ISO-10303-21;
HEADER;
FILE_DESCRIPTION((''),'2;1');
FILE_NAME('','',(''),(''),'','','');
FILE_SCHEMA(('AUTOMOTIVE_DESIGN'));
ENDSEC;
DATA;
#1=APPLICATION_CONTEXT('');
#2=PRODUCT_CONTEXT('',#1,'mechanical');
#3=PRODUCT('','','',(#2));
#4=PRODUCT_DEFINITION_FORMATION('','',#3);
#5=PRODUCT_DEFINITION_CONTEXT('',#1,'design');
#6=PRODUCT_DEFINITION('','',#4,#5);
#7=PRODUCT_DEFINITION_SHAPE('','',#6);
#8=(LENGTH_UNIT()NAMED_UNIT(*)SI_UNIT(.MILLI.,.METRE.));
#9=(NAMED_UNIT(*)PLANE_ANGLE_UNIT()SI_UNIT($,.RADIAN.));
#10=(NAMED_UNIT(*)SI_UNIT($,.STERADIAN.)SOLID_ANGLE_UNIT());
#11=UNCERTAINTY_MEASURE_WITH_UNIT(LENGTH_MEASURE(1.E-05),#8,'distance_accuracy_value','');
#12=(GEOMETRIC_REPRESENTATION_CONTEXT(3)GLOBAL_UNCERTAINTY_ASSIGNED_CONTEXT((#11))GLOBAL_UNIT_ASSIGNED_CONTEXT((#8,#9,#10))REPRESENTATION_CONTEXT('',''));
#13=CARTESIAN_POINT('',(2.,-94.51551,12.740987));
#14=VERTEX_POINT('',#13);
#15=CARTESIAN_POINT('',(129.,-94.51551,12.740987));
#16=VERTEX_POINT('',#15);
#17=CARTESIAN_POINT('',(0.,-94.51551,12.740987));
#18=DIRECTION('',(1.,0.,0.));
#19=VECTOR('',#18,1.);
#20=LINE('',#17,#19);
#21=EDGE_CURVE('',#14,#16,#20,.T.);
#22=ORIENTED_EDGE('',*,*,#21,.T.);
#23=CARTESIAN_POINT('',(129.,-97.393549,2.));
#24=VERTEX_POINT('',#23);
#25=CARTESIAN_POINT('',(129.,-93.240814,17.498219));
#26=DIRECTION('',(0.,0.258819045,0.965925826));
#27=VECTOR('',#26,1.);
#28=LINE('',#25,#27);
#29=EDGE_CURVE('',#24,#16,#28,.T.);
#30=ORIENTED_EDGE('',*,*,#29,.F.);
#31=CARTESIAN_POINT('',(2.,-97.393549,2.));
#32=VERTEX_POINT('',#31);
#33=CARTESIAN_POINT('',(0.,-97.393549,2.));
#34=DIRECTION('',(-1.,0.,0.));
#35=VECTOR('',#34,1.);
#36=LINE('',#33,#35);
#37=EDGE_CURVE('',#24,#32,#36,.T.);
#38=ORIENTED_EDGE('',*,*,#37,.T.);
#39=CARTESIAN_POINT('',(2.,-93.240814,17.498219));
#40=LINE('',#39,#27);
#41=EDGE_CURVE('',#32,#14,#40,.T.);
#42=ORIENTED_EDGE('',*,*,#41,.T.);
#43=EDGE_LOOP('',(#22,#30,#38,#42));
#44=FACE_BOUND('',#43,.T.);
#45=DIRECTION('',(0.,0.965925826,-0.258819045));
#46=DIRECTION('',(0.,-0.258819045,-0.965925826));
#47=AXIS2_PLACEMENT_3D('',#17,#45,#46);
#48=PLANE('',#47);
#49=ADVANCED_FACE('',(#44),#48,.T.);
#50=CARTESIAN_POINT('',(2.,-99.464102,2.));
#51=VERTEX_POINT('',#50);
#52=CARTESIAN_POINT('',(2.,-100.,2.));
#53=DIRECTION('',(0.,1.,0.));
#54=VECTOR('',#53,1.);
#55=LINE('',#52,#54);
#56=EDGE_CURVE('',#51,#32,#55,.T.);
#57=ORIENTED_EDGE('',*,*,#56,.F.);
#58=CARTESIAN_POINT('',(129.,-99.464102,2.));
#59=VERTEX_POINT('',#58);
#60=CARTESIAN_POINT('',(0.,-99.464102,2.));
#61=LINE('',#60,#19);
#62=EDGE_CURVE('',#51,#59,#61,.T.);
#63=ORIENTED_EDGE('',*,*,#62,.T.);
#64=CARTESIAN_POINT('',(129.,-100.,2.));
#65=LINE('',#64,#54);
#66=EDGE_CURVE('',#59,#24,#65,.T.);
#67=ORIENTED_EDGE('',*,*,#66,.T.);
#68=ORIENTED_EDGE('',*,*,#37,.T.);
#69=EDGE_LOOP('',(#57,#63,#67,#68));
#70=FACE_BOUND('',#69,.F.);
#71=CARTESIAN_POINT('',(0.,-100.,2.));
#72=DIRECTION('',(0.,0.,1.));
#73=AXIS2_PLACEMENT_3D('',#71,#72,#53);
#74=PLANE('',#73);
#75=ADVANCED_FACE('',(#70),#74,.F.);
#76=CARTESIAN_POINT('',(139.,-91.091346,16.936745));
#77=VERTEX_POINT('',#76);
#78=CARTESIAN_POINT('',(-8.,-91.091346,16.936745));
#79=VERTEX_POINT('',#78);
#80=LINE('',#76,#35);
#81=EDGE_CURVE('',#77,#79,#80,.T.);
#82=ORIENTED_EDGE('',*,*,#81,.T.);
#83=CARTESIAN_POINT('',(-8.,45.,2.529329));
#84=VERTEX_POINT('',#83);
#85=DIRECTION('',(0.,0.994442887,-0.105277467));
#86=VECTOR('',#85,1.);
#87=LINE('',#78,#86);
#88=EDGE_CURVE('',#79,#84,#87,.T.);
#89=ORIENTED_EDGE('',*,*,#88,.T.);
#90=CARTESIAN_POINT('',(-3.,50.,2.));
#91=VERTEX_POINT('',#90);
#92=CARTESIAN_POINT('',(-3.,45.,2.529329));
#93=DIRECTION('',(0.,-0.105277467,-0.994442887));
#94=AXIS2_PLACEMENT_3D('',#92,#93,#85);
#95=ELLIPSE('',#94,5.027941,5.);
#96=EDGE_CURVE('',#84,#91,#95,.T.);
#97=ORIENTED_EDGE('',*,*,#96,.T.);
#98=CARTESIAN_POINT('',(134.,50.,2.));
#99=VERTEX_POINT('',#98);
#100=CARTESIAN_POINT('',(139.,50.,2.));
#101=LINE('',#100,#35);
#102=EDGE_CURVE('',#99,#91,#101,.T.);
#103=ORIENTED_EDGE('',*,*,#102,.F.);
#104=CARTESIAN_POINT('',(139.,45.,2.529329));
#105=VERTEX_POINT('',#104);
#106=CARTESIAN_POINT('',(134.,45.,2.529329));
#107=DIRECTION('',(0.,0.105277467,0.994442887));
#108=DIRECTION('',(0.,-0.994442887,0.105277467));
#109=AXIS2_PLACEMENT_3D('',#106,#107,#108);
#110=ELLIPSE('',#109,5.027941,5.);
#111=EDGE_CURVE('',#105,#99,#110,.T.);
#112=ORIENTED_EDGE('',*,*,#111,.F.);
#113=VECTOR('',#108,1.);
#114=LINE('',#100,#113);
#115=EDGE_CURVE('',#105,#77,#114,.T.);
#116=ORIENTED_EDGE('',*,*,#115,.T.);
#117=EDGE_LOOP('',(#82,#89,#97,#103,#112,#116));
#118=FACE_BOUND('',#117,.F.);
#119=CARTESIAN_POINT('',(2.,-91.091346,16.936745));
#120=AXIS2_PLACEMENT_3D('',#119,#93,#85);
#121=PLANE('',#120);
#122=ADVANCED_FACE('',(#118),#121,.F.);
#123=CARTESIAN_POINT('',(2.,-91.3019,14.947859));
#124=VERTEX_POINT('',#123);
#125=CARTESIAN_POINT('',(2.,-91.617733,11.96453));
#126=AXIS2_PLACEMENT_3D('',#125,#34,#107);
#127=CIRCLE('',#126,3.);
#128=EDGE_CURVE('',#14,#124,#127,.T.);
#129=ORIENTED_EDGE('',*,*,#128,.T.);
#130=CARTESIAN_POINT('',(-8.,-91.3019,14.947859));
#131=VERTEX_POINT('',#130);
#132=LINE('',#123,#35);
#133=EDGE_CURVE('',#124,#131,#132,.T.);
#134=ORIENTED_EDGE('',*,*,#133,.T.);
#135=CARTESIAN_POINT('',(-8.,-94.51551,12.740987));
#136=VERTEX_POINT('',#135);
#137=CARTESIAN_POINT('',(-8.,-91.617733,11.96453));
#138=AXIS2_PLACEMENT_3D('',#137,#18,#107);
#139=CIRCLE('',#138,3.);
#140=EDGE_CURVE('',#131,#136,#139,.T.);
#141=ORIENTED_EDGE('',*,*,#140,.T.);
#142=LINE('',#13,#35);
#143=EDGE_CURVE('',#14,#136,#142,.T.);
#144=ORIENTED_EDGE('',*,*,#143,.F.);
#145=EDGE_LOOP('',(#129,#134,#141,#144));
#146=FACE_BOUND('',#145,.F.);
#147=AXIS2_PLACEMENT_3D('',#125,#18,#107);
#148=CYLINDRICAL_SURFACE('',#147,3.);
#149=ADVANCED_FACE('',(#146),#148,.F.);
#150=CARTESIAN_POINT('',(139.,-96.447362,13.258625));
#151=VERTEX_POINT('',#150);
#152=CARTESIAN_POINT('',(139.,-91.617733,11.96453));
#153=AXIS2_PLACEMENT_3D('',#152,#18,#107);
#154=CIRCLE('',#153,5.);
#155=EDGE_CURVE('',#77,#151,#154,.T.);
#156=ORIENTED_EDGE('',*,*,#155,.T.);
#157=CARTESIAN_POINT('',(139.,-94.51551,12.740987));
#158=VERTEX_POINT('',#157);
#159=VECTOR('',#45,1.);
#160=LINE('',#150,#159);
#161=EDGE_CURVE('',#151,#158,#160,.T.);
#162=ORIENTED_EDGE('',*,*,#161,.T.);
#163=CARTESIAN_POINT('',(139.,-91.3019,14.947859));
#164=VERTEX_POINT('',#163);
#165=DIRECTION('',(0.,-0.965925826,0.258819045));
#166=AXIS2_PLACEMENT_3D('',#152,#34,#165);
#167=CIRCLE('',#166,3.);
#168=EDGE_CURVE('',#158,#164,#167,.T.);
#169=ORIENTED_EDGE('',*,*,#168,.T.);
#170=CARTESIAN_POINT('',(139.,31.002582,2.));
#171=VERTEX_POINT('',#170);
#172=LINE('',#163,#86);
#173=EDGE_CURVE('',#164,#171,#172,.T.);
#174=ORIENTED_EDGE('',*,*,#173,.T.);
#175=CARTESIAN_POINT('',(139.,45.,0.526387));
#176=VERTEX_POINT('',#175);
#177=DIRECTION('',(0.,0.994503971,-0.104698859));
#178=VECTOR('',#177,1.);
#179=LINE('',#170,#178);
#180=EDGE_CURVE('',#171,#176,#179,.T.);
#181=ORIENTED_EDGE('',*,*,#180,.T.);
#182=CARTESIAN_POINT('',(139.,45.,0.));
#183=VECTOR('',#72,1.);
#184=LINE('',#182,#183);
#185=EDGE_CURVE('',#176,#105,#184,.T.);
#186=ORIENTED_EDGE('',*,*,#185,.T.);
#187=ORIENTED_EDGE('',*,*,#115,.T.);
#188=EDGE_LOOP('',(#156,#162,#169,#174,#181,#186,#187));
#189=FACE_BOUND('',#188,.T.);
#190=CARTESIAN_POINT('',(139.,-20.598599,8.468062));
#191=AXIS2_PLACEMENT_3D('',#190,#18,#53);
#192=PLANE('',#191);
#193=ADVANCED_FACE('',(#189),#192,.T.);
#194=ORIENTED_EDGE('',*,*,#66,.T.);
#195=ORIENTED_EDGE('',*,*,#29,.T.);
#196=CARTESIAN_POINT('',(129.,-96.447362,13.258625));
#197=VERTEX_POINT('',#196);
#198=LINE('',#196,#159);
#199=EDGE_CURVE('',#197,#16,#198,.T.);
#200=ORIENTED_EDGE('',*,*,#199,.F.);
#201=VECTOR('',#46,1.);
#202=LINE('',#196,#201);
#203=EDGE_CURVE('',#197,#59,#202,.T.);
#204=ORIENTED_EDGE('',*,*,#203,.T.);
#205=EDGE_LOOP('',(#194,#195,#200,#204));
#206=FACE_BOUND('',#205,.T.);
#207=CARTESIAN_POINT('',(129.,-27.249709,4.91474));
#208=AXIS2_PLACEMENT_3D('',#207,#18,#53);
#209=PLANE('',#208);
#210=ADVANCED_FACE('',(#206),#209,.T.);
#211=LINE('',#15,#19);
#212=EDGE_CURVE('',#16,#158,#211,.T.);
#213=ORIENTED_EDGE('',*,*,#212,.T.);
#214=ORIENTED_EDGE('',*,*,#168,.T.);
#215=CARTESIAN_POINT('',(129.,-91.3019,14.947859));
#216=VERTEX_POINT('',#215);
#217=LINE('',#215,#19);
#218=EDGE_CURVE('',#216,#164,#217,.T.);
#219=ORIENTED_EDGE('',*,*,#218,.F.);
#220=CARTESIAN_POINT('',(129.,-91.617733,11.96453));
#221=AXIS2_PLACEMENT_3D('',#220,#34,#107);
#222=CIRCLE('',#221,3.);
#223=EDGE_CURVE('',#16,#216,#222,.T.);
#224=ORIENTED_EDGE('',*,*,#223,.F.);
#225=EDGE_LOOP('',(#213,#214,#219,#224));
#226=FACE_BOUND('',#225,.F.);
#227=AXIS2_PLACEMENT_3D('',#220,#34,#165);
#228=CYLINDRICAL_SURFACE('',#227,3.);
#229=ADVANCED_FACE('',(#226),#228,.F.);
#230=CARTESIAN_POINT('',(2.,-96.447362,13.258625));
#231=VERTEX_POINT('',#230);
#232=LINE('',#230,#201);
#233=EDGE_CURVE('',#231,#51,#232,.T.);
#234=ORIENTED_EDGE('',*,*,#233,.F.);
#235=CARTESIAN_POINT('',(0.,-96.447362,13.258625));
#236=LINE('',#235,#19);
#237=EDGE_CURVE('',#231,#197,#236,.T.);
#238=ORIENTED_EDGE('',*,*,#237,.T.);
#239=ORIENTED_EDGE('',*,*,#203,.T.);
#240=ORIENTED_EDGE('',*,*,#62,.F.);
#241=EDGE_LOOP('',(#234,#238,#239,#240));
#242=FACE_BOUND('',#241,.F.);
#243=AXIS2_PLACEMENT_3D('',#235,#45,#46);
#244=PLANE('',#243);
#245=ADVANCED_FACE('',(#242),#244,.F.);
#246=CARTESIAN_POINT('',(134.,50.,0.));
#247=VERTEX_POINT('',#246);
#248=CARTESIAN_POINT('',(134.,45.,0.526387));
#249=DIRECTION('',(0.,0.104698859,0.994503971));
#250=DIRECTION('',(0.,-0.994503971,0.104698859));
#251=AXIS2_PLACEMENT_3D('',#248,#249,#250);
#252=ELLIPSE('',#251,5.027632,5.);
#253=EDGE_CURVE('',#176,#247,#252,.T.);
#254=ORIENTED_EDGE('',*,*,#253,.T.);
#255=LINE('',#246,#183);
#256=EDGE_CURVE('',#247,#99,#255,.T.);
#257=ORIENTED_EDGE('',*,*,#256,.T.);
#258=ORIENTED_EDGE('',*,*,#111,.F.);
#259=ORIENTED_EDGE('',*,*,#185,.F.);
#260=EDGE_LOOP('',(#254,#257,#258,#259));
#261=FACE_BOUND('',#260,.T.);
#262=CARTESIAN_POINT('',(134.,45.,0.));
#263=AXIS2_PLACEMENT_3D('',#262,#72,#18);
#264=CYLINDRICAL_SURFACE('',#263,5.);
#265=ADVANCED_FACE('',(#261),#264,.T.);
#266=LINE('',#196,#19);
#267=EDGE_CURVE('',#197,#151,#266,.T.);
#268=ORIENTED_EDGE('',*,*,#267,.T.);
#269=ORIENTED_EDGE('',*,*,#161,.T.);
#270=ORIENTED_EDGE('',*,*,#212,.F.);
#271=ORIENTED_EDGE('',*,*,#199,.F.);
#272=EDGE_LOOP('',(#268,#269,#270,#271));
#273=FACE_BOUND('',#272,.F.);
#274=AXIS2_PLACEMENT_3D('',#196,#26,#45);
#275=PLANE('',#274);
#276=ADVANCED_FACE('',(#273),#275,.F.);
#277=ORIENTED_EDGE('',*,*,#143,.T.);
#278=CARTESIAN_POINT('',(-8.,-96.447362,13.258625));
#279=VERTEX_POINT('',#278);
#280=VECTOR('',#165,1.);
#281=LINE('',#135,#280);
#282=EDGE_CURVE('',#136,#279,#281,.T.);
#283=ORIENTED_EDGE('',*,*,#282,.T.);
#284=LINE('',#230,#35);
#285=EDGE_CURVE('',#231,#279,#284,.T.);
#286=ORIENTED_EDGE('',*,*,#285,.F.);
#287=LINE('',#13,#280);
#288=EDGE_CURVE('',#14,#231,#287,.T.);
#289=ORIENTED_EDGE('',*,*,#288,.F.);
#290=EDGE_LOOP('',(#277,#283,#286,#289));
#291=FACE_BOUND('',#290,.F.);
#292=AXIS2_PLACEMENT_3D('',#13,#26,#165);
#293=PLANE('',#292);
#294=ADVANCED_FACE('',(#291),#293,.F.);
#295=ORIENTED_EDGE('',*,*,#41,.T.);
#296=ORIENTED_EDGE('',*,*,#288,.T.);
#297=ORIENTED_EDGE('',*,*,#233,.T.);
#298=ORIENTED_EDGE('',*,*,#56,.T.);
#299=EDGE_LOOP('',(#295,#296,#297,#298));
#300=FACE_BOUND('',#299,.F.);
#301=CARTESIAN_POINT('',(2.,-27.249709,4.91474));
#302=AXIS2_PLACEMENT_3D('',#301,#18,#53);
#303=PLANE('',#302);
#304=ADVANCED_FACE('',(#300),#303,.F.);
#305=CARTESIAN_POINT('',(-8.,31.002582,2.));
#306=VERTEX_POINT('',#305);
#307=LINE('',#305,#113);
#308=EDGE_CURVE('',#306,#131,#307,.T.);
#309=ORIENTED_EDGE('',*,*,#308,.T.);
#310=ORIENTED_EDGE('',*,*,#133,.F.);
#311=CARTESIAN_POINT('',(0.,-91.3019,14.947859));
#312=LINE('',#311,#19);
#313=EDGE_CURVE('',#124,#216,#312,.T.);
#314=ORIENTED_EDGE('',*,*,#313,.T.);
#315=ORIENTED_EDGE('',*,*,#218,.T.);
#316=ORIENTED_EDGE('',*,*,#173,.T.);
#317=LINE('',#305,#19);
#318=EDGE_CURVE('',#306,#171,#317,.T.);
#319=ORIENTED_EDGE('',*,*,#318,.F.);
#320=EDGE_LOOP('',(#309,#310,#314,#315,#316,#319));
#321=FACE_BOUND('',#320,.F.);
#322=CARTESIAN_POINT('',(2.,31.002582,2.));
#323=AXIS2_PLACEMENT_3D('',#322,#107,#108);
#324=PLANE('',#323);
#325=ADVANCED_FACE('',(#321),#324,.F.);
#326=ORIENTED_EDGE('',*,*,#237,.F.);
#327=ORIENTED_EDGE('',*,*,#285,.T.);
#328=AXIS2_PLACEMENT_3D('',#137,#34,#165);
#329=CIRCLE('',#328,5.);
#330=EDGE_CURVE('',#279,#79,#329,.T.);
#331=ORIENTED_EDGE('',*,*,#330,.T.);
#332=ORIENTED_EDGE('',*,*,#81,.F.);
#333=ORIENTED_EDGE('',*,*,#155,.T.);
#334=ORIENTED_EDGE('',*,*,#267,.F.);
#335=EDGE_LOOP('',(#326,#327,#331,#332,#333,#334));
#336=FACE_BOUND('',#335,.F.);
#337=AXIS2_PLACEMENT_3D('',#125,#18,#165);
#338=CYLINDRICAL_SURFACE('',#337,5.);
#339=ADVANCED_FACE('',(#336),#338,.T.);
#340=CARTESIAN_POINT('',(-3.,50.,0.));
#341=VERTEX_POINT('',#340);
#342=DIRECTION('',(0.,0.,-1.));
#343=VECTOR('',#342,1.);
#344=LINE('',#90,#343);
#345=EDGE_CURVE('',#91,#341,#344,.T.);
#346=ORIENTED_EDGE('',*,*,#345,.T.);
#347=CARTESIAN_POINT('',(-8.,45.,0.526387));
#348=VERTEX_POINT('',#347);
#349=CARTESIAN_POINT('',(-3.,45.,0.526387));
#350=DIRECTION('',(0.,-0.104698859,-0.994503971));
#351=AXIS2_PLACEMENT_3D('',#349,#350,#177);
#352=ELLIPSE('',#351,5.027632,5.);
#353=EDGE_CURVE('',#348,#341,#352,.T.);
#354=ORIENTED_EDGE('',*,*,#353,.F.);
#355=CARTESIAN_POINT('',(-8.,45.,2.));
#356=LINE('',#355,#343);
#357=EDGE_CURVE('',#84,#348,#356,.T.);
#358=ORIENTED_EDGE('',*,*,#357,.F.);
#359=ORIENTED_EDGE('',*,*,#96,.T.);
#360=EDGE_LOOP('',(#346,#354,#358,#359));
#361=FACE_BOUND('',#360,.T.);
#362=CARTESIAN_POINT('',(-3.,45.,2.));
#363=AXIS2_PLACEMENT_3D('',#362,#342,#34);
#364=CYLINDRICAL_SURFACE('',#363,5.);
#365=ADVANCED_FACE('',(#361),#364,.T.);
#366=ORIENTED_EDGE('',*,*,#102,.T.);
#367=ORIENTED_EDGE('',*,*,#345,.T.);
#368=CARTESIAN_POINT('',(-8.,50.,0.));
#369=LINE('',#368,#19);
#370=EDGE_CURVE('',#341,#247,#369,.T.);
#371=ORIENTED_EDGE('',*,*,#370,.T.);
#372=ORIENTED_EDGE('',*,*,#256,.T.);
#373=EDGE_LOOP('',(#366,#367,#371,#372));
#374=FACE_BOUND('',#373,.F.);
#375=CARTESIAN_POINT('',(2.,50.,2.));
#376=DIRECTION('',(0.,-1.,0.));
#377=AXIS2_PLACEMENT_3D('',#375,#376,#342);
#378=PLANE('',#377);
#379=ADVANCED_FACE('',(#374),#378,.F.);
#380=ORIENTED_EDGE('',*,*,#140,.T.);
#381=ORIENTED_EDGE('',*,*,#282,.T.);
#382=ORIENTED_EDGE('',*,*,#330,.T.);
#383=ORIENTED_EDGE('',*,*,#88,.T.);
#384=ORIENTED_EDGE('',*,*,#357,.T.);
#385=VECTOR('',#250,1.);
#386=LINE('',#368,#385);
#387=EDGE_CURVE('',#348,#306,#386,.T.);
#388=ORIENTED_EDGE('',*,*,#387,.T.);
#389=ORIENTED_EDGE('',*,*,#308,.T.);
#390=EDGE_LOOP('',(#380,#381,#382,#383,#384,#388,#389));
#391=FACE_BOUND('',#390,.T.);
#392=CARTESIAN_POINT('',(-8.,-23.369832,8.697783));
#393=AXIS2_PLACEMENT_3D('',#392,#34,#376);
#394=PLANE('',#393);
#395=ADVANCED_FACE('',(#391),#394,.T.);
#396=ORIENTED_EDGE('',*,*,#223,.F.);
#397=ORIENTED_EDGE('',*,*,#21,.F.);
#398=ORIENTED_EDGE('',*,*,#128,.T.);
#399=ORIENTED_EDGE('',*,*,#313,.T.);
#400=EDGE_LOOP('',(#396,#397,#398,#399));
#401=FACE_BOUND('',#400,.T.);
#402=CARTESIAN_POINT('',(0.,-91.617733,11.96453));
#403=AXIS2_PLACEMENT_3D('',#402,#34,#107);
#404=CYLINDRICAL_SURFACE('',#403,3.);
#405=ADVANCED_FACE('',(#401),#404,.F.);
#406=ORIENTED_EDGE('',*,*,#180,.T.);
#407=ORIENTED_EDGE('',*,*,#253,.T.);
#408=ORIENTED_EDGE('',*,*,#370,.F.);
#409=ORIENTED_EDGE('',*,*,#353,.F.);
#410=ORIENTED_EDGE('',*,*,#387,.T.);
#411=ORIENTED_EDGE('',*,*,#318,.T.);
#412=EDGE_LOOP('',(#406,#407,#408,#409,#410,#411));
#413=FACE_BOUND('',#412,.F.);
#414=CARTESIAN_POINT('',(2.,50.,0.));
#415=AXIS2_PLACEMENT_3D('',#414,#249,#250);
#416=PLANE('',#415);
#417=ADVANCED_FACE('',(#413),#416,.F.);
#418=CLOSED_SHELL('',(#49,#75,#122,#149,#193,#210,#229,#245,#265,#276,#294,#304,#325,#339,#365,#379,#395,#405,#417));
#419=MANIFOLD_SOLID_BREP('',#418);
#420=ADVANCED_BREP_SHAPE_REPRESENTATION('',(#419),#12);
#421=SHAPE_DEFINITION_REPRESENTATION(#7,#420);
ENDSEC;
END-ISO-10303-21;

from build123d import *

# Parameters (mm, degrees)
F3_DEPTH  = 131
F4_T      = -2
F5_DEPTH  = 2
F6_DEPTH  = 2
F7_DEPTH  = 2
F9_DEPTH  = 127
F13_DEPTH = 10
F15_DEPTH = 10
F16_R     = 5


with BuildPart() as f3:
    # F2 (on Right) → F3 (new body)
    with BuildSketch(Plane.YZ):
        with BuildLine():
            ThreePointArc((-91.0913455441, 16.9367446821), (-94.4482121177, 16.0862273851), (-96.4473620115, 13.2586254741))
            Line((-96.4473620115, 13.2586254741), (-100, 0))
            Line((-100, 0), (50, 0))
            Line((50, 0), (50, 2))
            Line((50, 2), (-91.0913455441, 16.9367446821))
        make_face()
    extrude(amount=F3_DEPTH)

    # F4 (hollow: no face is removed)
    offset(amount=F4_T, mode=Mode.SUBTRACT)

    # F5 (cut): a face of the model
    f5_faces = [f3.faces().sort_by_distance(p)[0] for p in [
        (65.5, -25, 0),
    ]]
    extrude(f5_faces, amount=-F5_DEPTH, mode=Mode.SUBTRACT)

    # F6 (cut): a face of the model
    f6_faces = [f3.faces().sort_by_distance(p)[0] for p in [
        (131, -48.1192247529, 7.0991070321),
    ]]
    extrude(f6_faces, amount=-F6_DEPTH, mode=Mode.SUBTRACT)

    # F7 (cut): a face of the model
    f7_faces = [f3.faces().sort_by_distance(p)[0] for p in [
        (0, -48.1192247529, 7.0991070321),
    ]]
    extrude(f7_faces, amount=-F7_DEPTH, mode=Mode.SUBTRACT)


with BuildPart() as f9:
    # F8 (on face) → F9 (new body)
    with BuildSketch(Plane.YZ.offset(129)):
        Polygon((50, 2), (31.0025824745, 2), (50, 0), align=None)
    extrude(amount=-F9_DEPTH)

    # F10: union F3
    add(f3.part)

    # F12 (on face) → F13 (join)
    with BuildSketch(Plane.YZ.offset(129)):
        Polygon((50, 2), (-91.0913455441, 16.9367446821), (-91.3019004785, 14.9478589087), (31.0025824745, 2), (50, 0), align=None)
        with BuildLine():
            ThreePointArc((-91.0913455441, 16.9367446821), (-94.4482121177, 16.0862273851), (-96.4473620115, 13.2586254741))
            Line((-96.4473620115, 13.2586254741), (-94.5155103589, 12.7409873839))
            ThreePointArc((-94.5155103589, 12.7409873839), (-93.3160204226, 14.4375485305), (-91.3019004785, 14.9478589087))
            Line((-91.3019004785, 14.9478589087), (-91.0913455441, 16.9367446821))
        make_face()
    extrude(amount=F13_DEPTH)

    # F14 (on face) → F15 (join)
    with BuildSketch(Plane(origin=(2, 0, 0), x_dir=(0, -1, 0), z_dir=(-1, 0, 0))):
        with BuildLine():
            ThreePointArc((91.3019004785, 14.9478589087), (93.3160204226, 14.4375485305), (94.5155103589, 12.7409873839))
            Line((94.5155103589, 12.7409873839), (96.4473620115, 13.2586254741))
            ThreePointArc((96.4473620115, 13.2586254741), (94.4482121177, 16.0862273851), (91.0913455441, 16.9367446821))
            Line((91.0913455441, 16.9367446821), (-50, 2))
            Line((-50, 2), (-50, 0))
            Line((-50, 0), (-31.0025824745, 2))
            Line((-31.0025824745, 2), (91.3019004785, 14.9478589087))
        make_face()
    extrude(amount=F15_DEPTH)

    # F16
    f16_edges = [f9.edges().sort_by_distance(p)[0] for p in [
        (139, 50, 1),
        (-8, 50, 1),
    ]]
    fillet(f16_edges, radius=F16_R)


solid = f9.part
